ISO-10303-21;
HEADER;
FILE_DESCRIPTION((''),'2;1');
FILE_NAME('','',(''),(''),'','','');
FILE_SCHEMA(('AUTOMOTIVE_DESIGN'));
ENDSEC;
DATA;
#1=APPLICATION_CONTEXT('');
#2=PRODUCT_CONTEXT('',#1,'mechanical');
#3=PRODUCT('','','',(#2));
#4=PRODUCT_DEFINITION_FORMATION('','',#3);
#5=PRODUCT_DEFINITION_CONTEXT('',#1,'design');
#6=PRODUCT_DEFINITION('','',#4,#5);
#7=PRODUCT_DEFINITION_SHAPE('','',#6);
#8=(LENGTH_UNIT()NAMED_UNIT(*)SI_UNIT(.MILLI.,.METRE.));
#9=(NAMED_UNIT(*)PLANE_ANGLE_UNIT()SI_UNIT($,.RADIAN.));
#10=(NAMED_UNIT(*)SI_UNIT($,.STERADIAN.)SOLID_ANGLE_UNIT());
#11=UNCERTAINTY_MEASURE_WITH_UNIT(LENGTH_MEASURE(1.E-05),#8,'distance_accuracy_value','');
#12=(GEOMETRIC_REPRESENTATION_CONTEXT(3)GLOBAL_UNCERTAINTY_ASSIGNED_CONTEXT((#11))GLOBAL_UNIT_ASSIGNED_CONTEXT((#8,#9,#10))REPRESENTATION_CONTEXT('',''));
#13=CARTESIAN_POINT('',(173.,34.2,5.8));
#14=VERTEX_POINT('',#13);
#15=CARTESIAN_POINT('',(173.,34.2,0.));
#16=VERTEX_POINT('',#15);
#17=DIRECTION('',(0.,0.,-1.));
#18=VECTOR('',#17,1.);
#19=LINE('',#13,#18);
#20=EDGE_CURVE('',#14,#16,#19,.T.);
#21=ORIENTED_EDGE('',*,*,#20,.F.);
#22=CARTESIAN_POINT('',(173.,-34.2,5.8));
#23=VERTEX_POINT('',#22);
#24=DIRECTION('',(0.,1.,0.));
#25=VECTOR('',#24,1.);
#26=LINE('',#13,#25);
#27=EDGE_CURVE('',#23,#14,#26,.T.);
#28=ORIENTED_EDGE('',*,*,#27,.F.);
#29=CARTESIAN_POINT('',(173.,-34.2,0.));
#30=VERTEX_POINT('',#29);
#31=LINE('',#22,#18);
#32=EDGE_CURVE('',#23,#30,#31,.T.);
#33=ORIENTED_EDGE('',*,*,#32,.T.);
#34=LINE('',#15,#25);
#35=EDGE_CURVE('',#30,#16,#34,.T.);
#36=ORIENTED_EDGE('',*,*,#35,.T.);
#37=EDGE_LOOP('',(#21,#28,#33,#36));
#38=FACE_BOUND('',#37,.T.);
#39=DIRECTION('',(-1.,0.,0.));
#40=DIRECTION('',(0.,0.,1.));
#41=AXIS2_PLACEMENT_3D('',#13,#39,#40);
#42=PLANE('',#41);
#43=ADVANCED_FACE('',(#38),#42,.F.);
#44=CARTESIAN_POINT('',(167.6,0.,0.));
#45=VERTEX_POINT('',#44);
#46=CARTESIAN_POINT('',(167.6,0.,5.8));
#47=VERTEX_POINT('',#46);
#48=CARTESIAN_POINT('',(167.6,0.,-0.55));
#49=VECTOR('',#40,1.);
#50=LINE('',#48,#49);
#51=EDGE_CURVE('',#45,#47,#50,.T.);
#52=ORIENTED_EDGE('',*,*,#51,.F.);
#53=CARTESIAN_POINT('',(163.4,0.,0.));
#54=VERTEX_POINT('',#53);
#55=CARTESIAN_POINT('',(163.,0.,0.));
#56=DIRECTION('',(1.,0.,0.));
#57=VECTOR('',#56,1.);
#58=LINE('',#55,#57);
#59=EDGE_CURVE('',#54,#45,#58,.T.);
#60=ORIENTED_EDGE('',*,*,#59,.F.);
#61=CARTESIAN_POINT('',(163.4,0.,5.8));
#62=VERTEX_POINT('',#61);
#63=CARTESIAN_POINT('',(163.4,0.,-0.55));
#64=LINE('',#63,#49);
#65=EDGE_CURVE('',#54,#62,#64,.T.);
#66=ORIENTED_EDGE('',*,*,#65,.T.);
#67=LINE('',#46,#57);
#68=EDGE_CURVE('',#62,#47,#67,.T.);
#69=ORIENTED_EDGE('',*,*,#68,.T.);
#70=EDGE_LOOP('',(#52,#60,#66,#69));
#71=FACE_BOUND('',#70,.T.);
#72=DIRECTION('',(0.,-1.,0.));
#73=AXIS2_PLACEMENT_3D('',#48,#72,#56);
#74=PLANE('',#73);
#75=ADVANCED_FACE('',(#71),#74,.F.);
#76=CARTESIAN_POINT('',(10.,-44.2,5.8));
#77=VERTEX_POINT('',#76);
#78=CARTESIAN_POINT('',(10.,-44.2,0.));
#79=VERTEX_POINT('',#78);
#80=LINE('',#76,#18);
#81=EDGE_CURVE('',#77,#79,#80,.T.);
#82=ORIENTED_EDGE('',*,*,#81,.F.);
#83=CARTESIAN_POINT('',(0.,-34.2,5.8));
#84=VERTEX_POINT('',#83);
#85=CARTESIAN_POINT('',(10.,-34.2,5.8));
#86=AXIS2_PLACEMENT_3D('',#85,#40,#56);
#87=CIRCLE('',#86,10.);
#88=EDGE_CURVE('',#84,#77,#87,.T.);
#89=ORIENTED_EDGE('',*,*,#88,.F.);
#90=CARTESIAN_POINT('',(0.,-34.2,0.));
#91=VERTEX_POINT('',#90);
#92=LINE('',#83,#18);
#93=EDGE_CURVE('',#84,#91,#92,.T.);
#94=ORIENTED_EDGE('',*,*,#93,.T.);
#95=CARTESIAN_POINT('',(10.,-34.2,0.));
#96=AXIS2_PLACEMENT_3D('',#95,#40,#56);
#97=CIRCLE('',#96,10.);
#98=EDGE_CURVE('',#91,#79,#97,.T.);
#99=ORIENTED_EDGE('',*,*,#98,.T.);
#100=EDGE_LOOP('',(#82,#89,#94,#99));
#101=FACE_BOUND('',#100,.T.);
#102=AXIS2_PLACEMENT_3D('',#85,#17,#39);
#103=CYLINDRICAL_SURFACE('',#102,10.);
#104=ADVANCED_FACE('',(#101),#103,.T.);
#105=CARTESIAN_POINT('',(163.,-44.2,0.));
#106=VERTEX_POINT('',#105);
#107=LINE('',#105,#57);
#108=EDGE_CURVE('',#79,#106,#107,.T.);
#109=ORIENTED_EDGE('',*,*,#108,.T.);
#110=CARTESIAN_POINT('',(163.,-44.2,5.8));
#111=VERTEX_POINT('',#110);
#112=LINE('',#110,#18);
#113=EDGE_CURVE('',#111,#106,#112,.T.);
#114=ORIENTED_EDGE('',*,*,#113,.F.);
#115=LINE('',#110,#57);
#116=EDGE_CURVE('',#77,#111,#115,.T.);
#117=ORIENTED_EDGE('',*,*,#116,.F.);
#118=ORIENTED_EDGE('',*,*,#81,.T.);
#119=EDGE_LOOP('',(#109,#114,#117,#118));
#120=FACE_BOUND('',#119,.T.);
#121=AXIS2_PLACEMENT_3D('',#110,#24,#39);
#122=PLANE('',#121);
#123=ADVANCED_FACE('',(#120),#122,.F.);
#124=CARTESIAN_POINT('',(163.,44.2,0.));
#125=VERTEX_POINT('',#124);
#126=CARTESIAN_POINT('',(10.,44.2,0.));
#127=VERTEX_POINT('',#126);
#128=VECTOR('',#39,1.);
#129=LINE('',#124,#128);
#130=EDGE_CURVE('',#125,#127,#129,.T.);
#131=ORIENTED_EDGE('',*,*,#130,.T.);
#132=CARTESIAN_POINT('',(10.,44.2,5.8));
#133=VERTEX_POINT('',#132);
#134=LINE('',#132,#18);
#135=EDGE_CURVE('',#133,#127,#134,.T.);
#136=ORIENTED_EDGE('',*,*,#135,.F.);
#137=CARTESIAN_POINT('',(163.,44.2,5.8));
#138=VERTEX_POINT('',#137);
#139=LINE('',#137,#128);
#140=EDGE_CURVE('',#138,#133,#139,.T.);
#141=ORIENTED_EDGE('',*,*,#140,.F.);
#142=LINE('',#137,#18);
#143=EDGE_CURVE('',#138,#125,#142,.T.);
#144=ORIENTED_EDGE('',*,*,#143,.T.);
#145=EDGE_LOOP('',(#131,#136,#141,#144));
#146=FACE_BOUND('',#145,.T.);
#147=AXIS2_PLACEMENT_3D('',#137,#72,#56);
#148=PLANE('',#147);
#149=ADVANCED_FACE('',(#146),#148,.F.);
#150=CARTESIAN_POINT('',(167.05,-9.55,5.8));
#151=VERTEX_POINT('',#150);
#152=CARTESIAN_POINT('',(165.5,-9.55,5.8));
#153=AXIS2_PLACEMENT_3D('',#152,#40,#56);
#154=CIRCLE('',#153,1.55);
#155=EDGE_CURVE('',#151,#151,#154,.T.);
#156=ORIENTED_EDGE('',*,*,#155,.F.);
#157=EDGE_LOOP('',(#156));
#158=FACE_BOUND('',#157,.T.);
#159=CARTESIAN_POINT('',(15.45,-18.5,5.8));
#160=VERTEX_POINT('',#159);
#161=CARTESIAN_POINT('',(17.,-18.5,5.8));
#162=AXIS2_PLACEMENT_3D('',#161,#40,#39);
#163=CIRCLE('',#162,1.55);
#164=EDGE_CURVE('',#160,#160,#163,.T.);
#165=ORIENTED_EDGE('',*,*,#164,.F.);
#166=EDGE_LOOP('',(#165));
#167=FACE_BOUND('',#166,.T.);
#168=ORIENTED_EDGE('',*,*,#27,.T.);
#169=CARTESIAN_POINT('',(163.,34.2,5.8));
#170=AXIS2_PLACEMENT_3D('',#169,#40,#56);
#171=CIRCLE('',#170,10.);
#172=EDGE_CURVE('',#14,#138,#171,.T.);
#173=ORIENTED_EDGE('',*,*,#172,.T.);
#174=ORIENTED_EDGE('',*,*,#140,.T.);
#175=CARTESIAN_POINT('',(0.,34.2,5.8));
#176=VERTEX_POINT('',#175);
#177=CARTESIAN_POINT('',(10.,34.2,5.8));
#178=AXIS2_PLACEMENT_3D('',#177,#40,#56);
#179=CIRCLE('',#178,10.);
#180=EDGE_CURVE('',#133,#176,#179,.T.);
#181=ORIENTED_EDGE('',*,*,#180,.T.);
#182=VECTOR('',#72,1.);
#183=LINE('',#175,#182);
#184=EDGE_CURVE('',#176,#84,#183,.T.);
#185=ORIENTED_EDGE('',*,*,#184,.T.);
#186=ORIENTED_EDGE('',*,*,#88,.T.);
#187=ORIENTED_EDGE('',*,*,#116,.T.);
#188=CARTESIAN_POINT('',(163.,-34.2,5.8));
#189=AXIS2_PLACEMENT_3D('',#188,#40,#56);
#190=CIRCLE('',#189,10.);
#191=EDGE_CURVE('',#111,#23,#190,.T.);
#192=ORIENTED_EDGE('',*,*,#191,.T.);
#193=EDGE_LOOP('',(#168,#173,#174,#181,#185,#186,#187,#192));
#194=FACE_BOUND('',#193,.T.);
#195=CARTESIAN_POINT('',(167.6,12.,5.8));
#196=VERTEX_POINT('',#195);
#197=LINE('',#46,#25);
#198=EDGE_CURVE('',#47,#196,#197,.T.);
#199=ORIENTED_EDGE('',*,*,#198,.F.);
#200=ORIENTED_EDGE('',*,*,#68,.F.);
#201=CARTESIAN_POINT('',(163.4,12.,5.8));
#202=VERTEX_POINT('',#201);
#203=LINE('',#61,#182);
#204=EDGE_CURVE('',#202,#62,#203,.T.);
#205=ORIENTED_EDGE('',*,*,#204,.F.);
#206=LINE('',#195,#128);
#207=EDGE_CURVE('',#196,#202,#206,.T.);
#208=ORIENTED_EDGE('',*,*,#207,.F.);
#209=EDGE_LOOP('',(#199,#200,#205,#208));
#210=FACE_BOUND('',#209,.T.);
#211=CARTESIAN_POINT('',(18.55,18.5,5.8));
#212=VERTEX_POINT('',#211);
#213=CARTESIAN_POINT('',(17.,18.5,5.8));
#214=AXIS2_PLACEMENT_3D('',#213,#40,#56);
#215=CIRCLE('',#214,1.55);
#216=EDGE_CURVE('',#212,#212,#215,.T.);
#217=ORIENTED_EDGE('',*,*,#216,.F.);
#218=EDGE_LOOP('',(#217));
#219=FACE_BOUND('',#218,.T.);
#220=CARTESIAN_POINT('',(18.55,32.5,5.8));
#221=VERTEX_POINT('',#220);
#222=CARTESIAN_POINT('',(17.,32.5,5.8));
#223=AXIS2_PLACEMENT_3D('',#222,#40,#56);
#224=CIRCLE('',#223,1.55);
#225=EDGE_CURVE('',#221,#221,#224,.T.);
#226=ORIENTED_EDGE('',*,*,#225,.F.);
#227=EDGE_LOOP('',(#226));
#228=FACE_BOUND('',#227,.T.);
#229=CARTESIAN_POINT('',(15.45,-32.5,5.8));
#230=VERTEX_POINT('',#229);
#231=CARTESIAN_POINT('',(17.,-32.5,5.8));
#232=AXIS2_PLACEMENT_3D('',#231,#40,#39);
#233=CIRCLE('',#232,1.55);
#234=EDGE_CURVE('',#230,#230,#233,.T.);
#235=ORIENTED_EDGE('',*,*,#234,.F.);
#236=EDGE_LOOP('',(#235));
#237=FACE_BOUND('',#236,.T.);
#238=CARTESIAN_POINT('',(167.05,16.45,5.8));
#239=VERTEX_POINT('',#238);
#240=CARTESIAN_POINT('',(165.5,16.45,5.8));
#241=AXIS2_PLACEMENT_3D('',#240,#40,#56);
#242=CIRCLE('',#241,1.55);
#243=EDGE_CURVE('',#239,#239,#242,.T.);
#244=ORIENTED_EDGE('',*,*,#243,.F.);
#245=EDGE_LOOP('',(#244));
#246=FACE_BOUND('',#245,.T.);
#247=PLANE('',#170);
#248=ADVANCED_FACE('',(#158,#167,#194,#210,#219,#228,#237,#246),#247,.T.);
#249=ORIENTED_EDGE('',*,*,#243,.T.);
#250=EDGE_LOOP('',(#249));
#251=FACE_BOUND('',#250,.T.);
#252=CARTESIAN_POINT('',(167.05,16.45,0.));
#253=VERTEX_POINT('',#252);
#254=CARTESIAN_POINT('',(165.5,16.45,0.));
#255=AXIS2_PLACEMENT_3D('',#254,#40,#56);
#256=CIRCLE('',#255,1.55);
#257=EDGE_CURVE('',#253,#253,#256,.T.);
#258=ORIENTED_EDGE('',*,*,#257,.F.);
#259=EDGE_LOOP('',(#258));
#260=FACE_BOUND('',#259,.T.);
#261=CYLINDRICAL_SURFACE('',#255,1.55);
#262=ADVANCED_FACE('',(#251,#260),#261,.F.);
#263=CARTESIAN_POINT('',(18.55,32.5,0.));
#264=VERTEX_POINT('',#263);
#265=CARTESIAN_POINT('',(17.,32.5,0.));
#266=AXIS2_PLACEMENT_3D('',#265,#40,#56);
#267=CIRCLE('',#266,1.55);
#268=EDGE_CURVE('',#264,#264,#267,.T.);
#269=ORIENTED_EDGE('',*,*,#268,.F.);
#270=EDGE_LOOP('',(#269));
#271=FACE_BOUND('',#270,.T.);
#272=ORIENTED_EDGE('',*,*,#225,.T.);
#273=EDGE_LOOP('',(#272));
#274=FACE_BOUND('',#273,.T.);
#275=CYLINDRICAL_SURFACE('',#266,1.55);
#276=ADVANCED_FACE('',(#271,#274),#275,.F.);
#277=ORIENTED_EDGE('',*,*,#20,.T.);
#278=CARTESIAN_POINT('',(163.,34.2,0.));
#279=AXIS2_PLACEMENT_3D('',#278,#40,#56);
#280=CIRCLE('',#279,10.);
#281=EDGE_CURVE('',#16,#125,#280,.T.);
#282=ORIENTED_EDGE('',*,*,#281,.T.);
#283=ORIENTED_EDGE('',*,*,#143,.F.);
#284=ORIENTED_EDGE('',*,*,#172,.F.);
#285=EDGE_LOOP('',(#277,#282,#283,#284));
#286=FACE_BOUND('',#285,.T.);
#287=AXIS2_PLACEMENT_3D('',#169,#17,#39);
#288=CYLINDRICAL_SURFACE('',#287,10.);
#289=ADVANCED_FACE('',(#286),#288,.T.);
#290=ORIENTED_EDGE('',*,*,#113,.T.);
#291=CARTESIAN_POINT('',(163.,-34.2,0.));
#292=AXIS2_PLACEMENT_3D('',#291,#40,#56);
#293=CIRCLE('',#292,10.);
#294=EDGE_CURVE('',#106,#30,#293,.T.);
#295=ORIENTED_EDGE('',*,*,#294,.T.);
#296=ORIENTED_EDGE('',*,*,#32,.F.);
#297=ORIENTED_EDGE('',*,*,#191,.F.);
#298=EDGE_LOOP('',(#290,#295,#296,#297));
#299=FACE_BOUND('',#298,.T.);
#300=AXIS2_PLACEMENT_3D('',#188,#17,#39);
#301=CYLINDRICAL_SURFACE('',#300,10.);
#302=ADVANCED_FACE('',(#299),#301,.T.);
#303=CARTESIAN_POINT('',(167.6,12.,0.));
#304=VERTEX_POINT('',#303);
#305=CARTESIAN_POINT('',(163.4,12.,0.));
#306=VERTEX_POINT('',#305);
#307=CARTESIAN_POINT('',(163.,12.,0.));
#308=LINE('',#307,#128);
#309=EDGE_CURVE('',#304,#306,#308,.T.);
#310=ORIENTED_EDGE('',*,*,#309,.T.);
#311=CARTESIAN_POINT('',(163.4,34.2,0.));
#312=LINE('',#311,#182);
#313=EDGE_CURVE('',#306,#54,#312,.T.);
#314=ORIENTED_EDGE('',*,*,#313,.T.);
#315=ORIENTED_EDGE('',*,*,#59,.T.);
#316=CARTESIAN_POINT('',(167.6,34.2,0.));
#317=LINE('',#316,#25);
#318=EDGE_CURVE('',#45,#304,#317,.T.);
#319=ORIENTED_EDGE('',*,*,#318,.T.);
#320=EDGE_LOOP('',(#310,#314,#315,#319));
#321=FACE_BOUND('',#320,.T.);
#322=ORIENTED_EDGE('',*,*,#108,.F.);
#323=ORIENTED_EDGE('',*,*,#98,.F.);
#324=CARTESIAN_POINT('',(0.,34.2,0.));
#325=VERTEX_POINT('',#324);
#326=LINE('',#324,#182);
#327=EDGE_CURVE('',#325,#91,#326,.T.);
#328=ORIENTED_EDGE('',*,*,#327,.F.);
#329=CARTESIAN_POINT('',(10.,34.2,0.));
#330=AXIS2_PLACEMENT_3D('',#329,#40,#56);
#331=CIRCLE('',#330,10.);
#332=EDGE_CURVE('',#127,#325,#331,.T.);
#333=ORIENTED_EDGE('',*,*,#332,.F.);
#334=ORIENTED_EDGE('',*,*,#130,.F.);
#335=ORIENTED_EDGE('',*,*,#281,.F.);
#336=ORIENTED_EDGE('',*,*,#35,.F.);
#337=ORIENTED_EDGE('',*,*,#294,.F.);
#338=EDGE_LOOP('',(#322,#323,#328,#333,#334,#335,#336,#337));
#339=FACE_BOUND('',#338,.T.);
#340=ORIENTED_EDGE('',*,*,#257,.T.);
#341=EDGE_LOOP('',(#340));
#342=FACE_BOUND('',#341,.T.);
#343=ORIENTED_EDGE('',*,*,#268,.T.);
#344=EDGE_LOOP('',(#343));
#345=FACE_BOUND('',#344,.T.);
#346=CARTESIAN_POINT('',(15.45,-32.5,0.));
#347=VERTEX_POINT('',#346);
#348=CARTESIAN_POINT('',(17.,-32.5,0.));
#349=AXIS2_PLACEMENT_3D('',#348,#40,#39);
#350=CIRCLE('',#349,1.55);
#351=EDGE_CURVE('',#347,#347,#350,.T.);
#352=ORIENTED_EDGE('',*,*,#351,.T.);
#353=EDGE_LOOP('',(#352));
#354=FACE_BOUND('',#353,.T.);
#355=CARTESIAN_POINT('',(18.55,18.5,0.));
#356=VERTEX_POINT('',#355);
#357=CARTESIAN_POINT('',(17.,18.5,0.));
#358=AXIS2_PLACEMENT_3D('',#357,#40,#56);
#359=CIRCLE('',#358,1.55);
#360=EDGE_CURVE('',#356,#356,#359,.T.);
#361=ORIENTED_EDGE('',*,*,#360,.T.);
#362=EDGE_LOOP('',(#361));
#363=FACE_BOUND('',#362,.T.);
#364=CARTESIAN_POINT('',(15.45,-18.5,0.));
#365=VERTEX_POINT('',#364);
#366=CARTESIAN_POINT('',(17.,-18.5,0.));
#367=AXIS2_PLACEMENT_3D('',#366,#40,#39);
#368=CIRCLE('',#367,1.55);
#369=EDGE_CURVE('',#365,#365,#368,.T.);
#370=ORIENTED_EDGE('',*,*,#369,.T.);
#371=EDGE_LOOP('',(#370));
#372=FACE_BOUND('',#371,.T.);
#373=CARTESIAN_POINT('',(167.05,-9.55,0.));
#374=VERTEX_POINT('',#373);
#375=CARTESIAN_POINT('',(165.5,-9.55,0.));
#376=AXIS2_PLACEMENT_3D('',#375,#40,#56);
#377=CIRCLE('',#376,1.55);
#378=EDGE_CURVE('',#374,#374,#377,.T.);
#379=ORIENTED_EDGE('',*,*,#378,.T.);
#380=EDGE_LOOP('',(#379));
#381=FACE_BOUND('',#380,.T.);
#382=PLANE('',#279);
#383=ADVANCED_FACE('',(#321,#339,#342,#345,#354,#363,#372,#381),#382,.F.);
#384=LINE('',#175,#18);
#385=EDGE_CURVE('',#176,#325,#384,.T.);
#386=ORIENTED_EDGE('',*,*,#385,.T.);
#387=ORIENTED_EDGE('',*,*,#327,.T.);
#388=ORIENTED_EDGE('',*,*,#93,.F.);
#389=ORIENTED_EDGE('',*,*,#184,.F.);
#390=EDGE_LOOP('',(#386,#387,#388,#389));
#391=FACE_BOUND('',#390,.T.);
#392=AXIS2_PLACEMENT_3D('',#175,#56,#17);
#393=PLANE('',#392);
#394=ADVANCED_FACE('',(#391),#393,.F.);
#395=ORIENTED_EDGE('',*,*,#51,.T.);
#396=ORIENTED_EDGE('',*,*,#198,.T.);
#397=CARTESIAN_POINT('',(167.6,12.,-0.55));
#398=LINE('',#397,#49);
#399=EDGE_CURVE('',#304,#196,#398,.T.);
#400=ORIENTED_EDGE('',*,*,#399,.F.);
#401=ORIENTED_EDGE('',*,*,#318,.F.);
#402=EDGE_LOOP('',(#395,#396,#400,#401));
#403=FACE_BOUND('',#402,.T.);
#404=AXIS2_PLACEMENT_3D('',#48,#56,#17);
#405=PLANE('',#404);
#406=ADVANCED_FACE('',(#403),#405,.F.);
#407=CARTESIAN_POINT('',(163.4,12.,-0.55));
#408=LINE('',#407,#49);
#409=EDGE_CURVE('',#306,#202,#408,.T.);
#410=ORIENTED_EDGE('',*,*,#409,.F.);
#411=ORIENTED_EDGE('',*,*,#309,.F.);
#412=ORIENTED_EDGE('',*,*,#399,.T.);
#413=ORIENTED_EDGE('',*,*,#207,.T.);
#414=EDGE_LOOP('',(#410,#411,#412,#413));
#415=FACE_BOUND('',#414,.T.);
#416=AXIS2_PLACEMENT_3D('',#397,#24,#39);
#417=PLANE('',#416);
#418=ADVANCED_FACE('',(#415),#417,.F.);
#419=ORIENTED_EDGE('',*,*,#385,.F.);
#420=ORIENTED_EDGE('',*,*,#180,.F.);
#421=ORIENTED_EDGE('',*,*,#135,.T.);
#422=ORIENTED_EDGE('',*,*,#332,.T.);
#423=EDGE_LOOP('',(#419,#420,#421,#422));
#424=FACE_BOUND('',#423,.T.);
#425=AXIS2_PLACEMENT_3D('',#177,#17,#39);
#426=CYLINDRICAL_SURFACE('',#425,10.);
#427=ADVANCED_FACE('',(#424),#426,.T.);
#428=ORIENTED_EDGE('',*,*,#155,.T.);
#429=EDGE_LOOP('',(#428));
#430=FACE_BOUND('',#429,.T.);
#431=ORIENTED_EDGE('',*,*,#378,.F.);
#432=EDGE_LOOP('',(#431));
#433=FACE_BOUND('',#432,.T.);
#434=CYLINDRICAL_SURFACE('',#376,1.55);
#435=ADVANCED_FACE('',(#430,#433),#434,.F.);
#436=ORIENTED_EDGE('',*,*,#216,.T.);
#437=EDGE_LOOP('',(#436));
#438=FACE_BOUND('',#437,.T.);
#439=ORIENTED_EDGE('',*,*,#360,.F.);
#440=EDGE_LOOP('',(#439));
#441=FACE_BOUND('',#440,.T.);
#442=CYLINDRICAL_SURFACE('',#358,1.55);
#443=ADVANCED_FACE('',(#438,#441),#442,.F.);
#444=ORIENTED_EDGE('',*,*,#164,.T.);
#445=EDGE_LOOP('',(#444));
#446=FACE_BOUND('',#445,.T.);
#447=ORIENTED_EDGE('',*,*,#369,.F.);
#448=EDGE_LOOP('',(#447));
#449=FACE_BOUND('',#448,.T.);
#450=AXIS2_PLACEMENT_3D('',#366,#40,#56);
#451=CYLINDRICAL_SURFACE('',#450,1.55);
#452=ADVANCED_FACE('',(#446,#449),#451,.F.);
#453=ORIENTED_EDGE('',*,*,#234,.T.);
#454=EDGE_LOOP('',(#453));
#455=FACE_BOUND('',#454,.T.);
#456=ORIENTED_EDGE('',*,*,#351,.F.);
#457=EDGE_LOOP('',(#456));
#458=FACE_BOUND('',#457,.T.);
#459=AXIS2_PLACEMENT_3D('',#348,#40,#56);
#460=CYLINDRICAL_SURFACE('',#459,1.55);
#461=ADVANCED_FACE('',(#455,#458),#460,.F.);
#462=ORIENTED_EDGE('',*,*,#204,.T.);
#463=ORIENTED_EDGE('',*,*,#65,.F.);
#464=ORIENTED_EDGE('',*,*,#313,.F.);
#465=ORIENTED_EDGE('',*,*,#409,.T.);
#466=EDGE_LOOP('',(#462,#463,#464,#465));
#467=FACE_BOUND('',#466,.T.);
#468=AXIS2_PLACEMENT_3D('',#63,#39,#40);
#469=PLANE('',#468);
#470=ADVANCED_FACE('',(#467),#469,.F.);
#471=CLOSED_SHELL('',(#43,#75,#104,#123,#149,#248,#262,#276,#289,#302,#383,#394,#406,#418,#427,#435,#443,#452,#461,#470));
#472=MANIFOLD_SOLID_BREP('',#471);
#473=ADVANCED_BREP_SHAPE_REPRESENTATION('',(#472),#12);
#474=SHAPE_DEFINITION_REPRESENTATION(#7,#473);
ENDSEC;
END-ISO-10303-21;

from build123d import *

# Parameters (mm, degrees)
BOSS_EXTRUDE1_DEPTH = 5.8
SKETCH3_W           = 4.2
SKETCH3_H           = 12
CUT_EXTRUDE1_DEPTH  = 6.35
SKETCH4_R           = 1.55
CUT_EXTRUDE2_DEPTH  = 6.8
SKETCH5_R           = 1.55
CUT_EXTRUDE3_DEPTH  = 6.8


with BuildPart() as part:
    # Sketch2 → Boss-Extrude1 (new body)
    with BuildSketch(Plane.XY):
        with BuildLine():
            Line((163, 44.2), (10, 44.2))
            ThreePointArc((10, 44.2), (2.928932188, 41.271067812), (0, 34.2))
            Line((0, 34.2), (0, -34.2))
            ThreePointArc((0, -34.2), (2.928932188, -41.271067812), (10, -44.2))
            Line((10, -44.2), (163, -44.2))
            ThreePointArc((163, -44.2), (170.071067812, -41.271067812), (173, -34.2))
            Line((173, -34.2), (173, 34.2))
            ThreePointArc((173, 34.2), (170.071067812, 41.271067812), (163, 44.2))
        make_face()
    extrude(amount=BOSS_EXTRUDE1_DEPTH)

    # Sketch3 → Cut-Extrude1 (cut)
    with BuildSketch(Plane.XY.offset(5.8)):
        with Locations((165.5, 6)):
            Rectangle(SKETCH3_W, SKETCH3_H)
    extrude(amount=-CUT_EXTRUDE1_DEPTH, mode=Mode.SUBTRACT)

    # Sketch4 → Cut-Extrude2 (cut, through all)
    with BuildSketch(Plane.XY.offset(5.8)):
        with Locations((17, 32.5)):
            Circle(SKETCH4_R)
        with Locations((17, 18.5)):
            Circle(SKETCH4_R)
        with Locations((17, -18.5)):
            Circle(SKETCH4_R)
        with Locations((17, -32.5)):
            Circle(SKETCH4_R)
    extrude(amount=-CUT_EXTRUDE2_DEPTH, mode=Mode.SUBTRACT)

    # Sketch5 → Cut-Extrude3 (cut, through all)
    with BuildSketch(Plane.XY.offset(5.8)):
        with Locations((165.5, 16.45)):
            Circle(SKETCH5_R)
        with Locations((165.5, -9.55)):
            Circle(SKETCH5_R)
    extrude(amount=-CUT_EXTRUDE3_DEPTH, mode=Mode.SUBTRACT)


solid = part.part
